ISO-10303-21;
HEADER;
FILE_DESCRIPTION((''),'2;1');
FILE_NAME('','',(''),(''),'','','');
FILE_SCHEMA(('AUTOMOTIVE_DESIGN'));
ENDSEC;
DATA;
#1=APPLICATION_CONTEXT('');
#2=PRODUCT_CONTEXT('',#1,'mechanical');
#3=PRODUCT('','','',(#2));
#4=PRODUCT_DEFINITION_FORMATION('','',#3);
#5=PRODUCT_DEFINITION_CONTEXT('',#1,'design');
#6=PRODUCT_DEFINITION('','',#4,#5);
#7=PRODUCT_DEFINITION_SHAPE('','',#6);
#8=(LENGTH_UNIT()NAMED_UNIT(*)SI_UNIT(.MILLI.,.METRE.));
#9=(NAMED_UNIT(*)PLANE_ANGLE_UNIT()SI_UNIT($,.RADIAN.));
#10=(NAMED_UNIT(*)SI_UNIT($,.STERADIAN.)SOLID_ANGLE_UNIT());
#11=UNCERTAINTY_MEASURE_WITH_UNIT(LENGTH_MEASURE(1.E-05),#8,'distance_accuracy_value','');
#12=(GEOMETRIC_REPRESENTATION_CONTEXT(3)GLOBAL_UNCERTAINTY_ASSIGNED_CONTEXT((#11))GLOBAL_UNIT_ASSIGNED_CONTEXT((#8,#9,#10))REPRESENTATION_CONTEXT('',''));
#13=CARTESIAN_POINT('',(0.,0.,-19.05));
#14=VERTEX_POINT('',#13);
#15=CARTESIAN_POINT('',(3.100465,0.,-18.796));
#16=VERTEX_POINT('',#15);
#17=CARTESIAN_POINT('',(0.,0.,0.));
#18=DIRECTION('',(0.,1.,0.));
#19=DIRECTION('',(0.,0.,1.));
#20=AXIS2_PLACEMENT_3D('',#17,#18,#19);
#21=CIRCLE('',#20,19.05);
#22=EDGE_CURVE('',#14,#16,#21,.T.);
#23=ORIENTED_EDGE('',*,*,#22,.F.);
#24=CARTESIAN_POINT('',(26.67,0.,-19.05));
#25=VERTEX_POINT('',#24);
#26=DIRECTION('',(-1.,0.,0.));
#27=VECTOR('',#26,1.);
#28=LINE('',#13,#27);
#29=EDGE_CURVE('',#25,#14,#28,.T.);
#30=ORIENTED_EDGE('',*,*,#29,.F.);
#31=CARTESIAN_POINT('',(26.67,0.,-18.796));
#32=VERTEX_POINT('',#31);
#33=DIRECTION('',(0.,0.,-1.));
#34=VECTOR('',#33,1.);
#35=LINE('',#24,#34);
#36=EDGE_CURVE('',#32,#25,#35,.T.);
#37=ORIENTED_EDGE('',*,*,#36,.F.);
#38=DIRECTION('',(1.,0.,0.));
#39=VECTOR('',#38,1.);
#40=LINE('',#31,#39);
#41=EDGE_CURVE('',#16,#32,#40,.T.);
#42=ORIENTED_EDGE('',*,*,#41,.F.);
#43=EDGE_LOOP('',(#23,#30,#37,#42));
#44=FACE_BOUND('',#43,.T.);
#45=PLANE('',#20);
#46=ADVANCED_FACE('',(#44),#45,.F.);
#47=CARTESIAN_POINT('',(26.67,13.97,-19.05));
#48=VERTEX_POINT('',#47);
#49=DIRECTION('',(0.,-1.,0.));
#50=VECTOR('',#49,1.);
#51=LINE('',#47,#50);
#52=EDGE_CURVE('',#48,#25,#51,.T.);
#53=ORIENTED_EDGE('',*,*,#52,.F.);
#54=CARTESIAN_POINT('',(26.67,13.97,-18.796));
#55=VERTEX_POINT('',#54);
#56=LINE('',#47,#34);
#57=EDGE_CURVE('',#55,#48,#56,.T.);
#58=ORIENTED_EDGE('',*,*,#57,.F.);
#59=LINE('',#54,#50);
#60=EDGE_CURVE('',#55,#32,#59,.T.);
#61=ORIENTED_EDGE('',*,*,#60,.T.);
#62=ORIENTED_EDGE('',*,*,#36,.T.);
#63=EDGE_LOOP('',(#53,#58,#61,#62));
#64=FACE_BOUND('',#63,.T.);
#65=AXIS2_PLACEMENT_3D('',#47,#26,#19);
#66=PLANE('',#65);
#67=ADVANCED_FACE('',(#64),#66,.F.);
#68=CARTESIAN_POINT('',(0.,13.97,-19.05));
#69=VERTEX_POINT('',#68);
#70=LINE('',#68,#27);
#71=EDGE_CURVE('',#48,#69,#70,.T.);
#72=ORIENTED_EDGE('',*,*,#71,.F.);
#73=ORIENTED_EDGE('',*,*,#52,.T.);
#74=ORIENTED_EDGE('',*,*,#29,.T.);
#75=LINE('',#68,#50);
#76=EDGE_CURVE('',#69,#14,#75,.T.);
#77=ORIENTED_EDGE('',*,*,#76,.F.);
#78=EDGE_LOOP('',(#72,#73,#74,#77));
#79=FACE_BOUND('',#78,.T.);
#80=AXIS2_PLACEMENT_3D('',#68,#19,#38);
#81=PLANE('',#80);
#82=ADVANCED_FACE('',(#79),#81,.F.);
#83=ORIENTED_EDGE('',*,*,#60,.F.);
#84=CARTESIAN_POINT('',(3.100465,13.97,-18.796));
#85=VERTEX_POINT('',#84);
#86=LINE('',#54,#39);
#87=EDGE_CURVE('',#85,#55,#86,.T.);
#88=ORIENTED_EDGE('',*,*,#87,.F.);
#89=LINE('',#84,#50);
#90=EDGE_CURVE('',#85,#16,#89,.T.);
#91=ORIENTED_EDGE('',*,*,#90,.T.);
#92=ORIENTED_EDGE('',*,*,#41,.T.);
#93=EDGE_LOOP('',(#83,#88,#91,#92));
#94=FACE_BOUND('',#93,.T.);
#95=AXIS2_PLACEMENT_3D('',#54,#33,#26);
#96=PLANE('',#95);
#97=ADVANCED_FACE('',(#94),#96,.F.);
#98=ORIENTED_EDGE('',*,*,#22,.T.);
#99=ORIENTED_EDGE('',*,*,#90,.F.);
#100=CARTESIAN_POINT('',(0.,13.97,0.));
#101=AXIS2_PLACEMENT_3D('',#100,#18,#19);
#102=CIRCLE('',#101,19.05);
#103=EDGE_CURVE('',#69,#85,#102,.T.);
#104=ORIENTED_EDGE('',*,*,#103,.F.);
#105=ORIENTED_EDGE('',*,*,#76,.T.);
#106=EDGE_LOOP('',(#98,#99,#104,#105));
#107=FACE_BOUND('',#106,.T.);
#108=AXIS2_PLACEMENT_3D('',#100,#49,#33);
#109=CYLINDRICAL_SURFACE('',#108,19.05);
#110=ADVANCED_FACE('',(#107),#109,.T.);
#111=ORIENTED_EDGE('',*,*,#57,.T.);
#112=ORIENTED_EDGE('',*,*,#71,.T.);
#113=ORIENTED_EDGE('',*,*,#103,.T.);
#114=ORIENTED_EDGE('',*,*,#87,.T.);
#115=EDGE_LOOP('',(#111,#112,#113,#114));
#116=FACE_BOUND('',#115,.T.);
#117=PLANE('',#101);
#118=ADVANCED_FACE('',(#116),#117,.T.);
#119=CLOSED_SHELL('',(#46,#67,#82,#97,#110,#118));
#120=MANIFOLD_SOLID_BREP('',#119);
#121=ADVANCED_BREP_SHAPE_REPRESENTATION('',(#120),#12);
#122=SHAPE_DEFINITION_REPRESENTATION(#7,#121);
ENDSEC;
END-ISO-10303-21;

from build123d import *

# Parameters (mm, degrees)
BOSS_EXTRUDE1_DEPTH = 13.97


with BuildPart() as part:
    # Sketch1 → Boss-Extrude1 (new body)
    with BuildSketch(Plane(origin=(0, 0, 0), x_dir=(1, 0, 0), z_dir=(0, 1, 0))):
        with BuildLine():
            Line((0, 19.05), (26.67, 19.05))
            Line((26.67, 19.05), (26.67, 18.796))
            Line((26.67, 18.796), (3.100465126, 18.796))
            ThreePointArc((3.100465126, 18.796), (-1.555425987, -18.986393812), (0, 19.05))
        make_face()
    extrude(amount=BOSS_EXTRUDE1_DEPTH)


solid = part.part
